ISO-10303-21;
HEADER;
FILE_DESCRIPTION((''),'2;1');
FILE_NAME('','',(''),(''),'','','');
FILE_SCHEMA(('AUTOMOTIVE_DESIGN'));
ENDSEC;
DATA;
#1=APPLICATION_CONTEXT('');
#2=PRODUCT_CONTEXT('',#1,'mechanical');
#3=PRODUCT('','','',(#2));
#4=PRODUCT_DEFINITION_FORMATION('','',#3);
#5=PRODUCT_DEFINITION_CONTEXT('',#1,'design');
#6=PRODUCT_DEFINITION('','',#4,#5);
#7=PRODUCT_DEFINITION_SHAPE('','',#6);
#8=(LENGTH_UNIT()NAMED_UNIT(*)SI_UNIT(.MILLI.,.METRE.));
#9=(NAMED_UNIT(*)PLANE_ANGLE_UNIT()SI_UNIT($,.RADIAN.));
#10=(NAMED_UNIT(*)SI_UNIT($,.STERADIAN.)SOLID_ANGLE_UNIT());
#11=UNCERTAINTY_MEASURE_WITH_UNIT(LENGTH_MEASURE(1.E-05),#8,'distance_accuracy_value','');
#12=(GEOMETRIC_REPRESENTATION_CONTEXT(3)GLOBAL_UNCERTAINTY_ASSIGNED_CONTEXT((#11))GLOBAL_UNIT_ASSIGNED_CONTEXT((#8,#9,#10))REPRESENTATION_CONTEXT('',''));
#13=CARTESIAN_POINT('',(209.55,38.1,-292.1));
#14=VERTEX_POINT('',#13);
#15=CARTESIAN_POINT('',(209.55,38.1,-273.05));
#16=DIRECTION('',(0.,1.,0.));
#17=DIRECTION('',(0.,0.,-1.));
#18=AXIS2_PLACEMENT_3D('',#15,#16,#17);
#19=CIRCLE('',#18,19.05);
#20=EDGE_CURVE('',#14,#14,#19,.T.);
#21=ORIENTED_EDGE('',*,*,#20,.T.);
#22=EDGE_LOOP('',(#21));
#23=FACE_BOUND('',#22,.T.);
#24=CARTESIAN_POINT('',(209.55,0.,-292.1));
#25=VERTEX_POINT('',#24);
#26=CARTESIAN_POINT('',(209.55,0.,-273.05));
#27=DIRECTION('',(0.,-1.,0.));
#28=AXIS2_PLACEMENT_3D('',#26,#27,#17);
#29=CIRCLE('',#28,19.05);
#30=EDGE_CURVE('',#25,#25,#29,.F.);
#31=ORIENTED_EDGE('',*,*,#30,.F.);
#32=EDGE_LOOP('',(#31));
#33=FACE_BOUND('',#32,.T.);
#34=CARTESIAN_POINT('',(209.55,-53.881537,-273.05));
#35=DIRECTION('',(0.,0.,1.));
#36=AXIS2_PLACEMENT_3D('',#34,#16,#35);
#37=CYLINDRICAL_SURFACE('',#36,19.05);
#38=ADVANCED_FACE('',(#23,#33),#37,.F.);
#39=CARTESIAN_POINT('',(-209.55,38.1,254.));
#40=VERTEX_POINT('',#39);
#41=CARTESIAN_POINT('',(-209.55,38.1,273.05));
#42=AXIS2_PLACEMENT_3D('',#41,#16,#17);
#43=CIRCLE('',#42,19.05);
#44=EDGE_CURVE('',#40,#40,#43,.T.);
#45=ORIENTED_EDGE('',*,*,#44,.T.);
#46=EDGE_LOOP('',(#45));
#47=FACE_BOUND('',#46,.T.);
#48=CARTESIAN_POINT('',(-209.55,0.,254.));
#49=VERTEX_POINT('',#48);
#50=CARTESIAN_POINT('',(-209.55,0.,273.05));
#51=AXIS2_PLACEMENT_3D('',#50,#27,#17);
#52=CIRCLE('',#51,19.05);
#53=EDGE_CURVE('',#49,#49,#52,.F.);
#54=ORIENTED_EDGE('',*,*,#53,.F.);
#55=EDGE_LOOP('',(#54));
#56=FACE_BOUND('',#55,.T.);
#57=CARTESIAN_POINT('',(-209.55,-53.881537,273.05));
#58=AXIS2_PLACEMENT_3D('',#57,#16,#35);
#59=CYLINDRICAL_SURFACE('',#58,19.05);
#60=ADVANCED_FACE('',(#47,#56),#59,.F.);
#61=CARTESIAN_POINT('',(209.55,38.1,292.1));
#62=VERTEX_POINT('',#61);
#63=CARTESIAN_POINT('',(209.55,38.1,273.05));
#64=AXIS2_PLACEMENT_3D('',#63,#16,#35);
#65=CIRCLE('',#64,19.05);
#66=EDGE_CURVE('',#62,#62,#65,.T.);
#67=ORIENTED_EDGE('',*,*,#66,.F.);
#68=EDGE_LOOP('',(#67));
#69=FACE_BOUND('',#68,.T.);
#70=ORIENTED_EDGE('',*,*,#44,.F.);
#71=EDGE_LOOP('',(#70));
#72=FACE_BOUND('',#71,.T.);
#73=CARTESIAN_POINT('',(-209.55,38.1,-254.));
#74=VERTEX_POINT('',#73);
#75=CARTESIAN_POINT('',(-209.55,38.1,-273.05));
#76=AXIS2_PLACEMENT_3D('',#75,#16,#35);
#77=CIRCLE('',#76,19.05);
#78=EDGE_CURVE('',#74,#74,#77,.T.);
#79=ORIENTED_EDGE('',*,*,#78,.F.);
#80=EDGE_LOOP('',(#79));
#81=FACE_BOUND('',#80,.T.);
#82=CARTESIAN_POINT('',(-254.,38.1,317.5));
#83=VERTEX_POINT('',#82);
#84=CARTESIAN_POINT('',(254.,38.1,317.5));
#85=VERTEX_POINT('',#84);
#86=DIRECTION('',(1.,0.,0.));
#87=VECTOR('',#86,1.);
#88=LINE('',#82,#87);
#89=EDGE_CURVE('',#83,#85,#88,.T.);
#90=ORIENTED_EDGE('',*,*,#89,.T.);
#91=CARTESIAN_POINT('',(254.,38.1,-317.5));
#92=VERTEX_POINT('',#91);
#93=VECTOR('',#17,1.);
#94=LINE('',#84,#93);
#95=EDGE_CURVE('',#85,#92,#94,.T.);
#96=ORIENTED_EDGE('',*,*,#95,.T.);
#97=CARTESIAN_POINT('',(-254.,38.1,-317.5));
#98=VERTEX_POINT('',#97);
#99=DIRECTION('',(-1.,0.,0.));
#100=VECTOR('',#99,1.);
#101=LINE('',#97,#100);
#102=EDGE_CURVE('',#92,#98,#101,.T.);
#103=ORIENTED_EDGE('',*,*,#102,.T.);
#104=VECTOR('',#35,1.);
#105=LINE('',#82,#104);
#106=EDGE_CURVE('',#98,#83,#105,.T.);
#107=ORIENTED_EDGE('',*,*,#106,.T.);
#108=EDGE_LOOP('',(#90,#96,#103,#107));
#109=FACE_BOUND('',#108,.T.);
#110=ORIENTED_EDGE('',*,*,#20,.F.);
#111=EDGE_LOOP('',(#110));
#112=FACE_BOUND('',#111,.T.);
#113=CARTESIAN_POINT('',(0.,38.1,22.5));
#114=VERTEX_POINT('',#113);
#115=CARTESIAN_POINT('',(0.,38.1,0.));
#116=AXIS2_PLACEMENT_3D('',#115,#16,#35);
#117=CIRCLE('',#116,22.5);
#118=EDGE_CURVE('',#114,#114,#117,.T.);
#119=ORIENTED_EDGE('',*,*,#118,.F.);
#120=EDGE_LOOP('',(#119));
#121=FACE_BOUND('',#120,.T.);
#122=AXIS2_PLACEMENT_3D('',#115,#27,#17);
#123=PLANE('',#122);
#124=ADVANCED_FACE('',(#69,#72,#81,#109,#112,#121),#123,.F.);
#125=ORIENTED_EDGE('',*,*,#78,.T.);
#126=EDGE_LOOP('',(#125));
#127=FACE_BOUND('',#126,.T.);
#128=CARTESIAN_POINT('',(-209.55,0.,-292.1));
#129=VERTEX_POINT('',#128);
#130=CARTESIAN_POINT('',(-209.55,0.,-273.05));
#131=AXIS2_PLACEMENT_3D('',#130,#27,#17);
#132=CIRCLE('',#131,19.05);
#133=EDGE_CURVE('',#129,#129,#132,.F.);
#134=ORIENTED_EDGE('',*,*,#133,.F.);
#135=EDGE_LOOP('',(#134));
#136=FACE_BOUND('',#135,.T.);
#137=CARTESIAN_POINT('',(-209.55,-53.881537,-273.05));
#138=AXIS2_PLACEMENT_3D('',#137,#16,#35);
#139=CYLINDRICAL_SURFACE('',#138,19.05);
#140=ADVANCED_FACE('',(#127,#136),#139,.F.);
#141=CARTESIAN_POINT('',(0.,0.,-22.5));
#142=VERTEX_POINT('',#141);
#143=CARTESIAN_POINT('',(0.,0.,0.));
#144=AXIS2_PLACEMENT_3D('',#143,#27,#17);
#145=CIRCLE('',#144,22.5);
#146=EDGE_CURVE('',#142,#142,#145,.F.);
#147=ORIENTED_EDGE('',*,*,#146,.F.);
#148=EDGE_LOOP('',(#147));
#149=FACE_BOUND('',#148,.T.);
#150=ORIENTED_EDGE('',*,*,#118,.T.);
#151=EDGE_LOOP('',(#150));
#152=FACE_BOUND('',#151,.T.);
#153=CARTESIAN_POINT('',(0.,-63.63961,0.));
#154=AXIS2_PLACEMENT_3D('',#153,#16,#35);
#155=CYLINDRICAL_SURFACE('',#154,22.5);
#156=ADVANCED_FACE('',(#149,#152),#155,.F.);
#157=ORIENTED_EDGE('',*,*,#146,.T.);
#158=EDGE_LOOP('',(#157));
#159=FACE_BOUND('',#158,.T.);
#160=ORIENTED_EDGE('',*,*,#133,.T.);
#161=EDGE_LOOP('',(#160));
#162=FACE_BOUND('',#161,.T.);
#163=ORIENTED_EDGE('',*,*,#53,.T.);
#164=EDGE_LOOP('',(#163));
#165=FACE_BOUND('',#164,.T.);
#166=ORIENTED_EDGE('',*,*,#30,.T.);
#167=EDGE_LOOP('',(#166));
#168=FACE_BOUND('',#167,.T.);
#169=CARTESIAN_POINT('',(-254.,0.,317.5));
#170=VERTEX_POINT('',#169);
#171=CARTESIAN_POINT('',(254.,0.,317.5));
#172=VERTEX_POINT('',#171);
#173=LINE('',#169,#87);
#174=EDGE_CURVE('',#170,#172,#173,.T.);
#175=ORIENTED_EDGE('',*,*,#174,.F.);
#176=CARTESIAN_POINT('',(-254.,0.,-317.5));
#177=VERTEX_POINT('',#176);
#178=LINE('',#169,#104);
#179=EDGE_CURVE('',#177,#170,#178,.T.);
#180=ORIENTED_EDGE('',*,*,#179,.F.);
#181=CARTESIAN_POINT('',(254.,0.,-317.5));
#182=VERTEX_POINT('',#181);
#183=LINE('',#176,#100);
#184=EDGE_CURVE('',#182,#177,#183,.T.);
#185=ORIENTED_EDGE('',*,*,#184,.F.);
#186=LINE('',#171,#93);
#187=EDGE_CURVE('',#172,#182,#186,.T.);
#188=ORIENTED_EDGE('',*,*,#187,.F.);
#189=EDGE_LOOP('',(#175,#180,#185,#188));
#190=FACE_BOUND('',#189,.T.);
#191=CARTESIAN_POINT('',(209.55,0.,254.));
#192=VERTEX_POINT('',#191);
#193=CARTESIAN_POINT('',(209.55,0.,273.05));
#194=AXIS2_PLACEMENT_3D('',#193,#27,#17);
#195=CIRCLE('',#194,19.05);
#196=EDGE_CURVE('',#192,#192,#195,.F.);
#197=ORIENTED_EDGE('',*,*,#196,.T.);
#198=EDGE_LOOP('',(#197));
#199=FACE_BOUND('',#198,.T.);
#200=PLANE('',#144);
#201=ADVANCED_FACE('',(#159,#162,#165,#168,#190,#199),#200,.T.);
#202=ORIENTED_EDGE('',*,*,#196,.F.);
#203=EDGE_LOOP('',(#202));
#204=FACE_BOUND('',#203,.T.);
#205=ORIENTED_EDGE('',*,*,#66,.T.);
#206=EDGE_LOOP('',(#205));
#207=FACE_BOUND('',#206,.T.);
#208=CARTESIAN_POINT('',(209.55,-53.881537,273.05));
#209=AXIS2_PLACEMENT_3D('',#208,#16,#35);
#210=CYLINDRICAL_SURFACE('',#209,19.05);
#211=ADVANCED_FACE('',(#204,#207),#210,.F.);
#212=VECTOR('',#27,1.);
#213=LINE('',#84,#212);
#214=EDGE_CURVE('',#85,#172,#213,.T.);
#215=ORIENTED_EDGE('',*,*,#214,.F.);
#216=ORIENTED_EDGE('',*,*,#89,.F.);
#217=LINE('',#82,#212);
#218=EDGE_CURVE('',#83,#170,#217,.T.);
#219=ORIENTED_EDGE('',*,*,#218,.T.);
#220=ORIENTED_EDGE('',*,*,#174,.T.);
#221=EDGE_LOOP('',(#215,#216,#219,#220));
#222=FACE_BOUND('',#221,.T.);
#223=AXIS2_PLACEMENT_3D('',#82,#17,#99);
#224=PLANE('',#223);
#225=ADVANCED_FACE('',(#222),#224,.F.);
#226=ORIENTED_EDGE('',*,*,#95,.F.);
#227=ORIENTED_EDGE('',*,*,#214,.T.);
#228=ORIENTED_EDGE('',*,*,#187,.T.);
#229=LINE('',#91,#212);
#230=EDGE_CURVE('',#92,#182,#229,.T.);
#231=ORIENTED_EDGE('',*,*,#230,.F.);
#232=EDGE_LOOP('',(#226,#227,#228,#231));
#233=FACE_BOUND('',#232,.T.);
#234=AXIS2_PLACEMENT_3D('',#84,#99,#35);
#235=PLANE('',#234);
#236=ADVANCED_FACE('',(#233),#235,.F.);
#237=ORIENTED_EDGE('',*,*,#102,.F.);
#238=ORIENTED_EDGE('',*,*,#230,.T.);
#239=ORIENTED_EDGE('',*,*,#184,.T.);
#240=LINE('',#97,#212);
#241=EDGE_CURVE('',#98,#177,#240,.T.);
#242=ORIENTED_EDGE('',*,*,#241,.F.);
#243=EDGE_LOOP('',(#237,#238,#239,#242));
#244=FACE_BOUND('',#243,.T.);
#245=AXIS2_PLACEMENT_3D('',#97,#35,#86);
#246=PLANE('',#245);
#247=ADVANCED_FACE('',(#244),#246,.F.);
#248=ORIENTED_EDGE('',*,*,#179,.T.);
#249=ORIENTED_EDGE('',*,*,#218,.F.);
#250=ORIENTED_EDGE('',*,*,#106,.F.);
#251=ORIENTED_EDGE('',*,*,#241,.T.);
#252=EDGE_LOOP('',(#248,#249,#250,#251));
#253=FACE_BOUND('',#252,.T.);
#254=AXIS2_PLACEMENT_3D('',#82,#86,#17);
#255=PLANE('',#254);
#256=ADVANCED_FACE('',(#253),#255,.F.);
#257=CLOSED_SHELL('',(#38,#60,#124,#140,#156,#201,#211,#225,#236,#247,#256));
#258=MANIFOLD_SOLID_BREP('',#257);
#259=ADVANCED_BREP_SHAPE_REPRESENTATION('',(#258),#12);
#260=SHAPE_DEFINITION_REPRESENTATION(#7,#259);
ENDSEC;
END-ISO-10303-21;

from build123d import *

# Parameters (mm, degrees)
CROQUIS2_W              = 508
CROQUIS2_H              = 635
SALIENTE_EXTRUIR2_DEPTH = 38.1
CROQUIS3_R              = 19.05
CORTAR_EXTRUIR1_DEPTH   = 38.1
CROQUIS4_R              = 22.5
CORTAR_EXTRUIR2_DEPTH   = 38.1


with BuildPart() as part:
    # Croquis2 → Saliente-Extruir2 (new body)
    with BuildSketch(Plane(origin=(0, 0, 0), x_dir=(1, 0, 0), z_dir=(0, 1, 0))):
        Rectangle(CROQUIS2_W, CROQUIS2_H)
    extrude(amount=SALIENTE_EXTRUIR2_DEPTH)

    # Croquis3 → Cortar-Extruir1 (cut)
    with BuildSketch(Plane(origin=(0, 38.1, 0), x_dir=(1, 0, 0), z_dir=(0, 1, 0))):
        with Locations((-209.55, 273.05)):
            Circle(CROQUIS3_R)
        with Locations((209.55, 273.05)):
            Circle(CROQUIS3_R)
        with Locations((209.55, -273.05)):
            Circle(CROQUIS3_R)
        with Locations((-209.55, -273.05)):
            Circle(CROQUIS3_R)
    extrude(amount=-CORTAR_EXTRUIR1_DEPTH, mode=Mode.SUBTRACT)

    # Croquis4 → Cortar-Extruir2 (cut)
    with BuildSketch(Plane(origin=(0, 38.1, 0), x_dir=(1, 0, 0), z_dir=(0, 1, 0))):
        Circle(CROQUIS4_R)
    extrude(amount=-CORTAR_EXTRUIR2_DEPTH, mode=Mode.SUBTRACT)


solid = part.part
